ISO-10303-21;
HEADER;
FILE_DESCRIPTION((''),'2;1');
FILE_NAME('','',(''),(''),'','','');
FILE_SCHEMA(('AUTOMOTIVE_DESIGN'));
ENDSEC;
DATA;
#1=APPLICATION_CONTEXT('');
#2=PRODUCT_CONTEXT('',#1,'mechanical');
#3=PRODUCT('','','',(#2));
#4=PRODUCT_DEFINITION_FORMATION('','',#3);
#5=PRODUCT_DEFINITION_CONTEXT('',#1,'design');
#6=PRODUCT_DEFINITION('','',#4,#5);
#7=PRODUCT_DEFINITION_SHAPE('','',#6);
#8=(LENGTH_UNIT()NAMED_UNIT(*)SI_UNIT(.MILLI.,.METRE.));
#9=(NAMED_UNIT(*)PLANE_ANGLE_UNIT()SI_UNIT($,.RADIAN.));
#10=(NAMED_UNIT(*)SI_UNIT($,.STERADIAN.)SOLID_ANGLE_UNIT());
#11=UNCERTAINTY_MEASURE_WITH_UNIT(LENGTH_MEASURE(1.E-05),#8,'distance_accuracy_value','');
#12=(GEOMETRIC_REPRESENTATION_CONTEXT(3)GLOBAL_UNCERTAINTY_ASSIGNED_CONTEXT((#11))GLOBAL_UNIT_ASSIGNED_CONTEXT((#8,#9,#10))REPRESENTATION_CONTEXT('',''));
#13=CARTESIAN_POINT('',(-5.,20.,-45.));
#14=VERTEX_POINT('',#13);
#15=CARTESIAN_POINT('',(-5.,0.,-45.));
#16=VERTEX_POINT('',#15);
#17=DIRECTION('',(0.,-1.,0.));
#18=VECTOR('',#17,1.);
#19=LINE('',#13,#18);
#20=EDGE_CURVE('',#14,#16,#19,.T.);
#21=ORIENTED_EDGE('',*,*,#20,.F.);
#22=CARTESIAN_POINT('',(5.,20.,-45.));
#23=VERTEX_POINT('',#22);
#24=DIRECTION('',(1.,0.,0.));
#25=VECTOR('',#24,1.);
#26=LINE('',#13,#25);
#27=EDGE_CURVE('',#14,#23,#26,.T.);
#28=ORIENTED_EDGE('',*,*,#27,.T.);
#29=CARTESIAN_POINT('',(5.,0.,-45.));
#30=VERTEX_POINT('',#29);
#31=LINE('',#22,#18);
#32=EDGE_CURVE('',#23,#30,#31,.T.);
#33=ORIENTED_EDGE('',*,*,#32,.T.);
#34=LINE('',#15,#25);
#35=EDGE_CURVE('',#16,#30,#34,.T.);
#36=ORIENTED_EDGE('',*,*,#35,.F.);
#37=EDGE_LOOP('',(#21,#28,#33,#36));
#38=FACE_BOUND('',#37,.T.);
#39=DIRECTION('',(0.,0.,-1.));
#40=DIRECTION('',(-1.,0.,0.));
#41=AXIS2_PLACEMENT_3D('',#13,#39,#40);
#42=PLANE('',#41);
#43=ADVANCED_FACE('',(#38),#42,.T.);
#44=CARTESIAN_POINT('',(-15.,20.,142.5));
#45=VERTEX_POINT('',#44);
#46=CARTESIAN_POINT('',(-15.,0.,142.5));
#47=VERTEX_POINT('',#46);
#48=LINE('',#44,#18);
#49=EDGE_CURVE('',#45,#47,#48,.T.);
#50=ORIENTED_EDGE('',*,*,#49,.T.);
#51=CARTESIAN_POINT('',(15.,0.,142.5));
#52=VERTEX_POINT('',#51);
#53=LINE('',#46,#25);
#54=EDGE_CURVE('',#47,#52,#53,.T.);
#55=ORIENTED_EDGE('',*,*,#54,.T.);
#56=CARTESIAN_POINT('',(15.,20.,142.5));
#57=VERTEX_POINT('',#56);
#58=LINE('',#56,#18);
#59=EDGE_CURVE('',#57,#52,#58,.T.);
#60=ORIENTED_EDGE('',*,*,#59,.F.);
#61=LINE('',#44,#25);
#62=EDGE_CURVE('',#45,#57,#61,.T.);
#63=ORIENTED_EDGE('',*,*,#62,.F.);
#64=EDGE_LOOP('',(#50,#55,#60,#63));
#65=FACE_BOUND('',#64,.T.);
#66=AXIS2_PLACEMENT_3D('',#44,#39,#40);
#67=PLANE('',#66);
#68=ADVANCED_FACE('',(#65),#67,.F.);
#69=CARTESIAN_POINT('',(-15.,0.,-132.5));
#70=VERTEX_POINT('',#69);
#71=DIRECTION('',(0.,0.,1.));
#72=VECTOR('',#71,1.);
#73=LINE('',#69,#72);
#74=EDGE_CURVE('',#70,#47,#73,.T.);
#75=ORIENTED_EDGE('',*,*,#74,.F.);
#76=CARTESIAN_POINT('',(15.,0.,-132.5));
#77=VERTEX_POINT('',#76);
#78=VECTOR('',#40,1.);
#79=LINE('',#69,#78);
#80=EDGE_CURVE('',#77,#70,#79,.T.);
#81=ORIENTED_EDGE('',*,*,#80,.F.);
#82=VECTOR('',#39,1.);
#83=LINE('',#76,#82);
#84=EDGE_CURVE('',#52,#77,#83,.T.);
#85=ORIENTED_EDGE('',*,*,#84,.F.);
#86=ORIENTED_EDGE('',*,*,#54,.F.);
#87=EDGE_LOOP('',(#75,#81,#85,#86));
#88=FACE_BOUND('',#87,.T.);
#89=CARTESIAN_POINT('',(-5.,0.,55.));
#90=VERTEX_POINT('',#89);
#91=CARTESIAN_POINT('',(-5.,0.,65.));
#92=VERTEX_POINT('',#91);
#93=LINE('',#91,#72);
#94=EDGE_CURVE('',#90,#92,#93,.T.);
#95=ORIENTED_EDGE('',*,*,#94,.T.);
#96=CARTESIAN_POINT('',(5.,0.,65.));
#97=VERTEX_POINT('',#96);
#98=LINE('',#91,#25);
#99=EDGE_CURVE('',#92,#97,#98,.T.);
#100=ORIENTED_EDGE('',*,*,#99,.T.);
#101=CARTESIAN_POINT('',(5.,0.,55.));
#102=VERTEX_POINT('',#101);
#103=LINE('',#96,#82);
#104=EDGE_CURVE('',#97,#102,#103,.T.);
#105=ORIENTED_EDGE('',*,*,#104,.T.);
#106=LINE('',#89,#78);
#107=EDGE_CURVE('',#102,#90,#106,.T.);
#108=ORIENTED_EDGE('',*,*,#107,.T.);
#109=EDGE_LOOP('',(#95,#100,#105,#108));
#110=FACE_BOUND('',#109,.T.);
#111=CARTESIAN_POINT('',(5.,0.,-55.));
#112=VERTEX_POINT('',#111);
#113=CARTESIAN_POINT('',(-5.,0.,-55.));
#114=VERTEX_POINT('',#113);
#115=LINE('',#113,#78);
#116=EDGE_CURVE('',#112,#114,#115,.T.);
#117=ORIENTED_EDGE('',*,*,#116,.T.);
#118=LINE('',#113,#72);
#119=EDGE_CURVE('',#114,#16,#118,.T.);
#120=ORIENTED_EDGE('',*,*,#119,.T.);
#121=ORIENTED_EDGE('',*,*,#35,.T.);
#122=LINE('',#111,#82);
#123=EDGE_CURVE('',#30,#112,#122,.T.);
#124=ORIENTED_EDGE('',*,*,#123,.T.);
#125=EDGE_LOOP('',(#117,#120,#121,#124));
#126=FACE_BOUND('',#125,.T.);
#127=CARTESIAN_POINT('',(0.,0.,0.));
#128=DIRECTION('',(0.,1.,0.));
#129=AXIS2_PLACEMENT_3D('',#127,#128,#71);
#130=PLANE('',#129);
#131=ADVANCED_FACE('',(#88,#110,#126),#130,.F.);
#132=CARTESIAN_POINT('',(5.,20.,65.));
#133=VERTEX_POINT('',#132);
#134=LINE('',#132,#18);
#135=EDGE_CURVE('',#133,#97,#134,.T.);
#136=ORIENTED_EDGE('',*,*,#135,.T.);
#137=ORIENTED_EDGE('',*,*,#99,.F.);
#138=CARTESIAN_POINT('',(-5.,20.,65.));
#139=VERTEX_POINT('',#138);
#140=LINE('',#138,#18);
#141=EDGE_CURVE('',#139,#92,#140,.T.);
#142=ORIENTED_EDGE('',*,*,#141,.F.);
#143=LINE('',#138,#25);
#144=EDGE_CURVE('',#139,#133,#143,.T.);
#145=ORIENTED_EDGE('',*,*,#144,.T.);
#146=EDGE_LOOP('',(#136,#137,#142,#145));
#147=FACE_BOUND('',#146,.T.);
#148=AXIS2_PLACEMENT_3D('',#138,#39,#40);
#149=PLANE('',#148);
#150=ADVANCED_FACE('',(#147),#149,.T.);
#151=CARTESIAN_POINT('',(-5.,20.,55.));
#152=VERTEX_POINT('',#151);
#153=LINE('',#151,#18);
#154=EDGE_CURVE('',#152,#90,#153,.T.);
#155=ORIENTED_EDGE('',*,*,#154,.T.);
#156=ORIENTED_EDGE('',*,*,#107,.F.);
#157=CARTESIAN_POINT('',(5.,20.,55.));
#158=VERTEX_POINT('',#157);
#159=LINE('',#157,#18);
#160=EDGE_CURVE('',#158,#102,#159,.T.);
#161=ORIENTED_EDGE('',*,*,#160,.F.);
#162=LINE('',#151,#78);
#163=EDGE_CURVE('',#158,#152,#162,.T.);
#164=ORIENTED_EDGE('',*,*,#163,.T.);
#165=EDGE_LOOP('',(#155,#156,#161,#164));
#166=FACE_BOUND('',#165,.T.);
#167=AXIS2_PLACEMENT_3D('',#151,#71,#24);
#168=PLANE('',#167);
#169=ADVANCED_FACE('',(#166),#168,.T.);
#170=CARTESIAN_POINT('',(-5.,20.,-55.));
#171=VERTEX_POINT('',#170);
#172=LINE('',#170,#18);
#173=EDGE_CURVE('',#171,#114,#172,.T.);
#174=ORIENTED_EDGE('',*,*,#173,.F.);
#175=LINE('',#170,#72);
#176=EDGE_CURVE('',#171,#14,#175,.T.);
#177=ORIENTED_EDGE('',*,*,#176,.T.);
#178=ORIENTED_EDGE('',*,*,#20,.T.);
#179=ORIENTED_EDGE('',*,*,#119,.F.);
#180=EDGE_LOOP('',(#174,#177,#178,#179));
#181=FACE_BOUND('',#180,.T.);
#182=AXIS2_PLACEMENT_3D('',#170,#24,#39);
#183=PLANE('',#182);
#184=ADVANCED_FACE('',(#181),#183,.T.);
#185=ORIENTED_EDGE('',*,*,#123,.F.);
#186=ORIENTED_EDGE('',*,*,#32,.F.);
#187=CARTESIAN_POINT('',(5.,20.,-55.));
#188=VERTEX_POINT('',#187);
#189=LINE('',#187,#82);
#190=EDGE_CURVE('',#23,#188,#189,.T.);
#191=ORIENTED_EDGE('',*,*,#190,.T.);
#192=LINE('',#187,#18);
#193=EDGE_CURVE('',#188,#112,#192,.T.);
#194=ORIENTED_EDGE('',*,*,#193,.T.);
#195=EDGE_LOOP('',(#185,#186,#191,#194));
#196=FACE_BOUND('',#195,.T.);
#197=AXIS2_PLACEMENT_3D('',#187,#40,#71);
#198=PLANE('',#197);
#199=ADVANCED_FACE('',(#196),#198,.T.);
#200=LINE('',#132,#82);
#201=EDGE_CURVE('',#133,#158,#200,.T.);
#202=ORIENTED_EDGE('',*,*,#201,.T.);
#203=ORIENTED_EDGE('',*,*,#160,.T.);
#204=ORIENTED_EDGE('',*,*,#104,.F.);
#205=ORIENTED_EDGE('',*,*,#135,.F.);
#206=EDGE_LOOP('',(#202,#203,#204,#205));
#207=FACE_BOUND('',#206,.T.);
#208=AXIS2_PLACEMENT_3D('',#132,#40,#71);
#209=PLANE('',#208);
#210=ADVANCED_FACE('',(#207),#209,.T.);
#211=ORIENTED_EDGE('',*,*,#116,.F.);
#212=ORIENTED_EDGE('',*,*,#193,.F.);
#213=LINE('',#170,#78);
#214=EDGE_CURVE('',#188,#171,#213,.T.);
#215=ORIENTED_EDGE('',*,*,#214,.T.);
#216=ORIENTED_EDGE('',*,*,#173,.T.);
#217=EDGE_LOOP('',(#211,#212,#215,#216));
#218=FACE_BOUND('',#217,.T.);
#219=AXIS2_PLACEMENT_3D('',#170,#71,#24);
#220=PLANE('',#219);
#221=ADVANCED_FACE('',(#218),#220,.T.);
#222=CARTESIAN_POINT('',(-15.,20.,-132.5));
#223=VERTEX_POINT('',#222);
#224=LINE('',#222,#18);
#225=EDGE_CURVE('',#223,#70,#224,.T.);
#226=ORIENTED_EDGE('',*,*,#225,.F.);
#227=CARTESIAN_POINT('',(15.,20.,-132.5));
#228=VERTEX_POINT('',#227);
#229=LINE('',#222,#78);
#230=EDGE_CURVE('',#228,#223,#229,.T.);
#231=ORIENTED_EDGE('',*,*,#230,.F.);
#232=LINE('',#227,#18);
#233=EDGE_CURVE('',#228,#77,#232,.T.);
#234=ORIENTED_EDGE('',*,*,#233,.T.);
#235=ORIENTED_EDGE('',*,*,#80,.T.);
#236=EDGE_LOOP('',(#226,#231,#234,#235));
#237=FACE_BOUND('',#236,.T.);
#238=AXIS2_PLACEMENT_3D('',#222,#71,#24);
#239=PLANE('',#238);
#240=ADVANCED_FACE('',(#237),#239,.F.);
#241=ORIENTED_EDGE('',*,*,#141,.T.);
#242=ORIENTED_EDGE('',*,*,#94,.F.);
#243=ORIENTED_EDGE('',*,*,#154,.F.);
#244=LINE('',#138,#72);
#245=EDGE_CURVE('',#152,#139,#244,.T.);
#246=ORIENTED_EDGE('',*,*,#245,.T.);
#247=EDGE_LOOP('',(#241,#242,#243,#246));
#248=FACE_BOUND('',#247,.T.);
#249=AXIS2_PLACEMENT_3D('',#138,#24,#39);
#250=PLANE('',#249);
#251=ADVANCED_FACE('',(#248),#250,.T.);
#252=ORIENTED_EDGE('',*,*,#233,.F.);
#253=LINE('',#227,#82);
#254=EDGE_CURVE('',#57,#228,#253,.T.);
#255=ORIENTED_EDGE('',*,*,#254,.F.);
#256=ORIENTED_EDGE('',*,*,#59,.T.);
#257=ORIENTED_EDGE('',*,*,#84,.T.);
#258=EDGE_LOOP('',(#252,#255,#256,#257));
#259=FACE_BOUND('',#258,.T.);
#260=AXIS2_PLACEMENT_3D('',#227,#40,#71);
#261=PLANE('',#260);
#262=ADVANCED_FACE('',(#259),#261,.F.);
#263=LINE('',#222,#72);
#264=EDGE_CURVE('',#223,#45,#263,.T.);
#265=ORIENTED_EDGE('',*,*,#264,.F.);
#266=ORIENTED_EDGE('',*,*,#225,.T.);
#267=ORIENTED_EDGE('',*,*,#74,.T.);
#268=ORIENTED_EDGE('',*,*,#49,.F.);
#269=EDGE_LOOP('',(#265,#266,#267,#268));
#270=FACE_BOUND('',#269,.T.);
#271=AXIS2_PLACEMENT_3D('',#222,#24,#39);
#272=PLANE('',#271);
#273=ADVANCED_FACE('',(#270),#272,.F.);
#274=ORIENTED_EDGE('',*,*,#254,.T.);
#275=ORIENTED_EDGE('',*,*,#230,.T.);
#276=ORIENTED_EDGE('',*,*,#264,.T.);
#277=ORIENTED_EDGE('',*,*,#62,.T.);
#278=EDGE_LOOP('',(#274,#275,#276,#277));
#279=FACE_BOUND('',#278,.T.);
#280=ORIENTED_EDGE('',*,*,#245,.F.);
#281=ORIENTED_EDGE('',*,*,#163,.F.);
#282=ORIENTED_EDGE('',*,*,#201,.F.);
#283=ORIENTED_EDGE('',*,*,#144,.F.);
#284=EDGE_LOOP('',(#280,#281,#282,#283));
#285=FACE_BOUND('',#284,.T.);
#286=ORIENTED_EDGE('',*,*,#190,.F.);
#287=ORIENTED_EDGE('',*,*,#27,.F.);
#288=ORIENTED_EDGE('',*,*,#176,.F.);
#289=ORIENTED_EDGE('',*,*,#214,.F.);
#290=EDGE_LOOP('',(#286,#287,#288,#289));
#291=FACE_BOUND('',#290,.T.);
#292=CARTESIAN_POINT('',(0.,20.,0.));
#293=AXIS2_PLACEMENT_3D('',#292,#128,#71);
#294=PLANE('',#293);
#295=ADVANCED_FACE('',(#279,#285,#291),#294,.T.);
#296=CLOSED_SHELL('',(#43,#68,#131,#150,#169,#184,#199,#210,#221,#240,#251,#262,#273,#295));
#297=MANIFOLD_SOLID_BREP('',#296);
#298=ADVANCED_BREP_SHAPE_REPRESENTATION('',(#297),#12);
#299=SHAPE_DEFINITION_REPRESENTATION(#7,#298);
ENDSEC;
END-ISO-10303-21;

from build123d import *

# Parameters (mm, degrees)
SKETCH1_W           = 30
SKETCH1_H           = 275
SKETCH1_W_2         = 10
SKETCH1_H_2         = 10
BOSS_EXTRUDE1_DEPTH = 20


with BuildPart() as part:
    # Sketch1 → Boss-Extrude1 (new body)
    with BuildSketch(Plane(origin=(0, 0, 0), x_dir=(1, 0, 0), z_dir=(0, 1, 0))):
        with Locations((0, -5)):
            Rectangle(SKETCH1_W, SKETCH1_H)
        with Locations((0, 50)):
            Rectangle(SKETCH1_W_2, SKETCH1_H_2, mode=Mode.SUBTRACT)
        with Locations((0, -60)):
            Rectangle(SKETCH1_W_2, SKETCH1_H_2, mode=Mode.SUBTRACT)
    extrude(amount=BOSS_EXTRUDE1_DEPTH)


solid = part.part
